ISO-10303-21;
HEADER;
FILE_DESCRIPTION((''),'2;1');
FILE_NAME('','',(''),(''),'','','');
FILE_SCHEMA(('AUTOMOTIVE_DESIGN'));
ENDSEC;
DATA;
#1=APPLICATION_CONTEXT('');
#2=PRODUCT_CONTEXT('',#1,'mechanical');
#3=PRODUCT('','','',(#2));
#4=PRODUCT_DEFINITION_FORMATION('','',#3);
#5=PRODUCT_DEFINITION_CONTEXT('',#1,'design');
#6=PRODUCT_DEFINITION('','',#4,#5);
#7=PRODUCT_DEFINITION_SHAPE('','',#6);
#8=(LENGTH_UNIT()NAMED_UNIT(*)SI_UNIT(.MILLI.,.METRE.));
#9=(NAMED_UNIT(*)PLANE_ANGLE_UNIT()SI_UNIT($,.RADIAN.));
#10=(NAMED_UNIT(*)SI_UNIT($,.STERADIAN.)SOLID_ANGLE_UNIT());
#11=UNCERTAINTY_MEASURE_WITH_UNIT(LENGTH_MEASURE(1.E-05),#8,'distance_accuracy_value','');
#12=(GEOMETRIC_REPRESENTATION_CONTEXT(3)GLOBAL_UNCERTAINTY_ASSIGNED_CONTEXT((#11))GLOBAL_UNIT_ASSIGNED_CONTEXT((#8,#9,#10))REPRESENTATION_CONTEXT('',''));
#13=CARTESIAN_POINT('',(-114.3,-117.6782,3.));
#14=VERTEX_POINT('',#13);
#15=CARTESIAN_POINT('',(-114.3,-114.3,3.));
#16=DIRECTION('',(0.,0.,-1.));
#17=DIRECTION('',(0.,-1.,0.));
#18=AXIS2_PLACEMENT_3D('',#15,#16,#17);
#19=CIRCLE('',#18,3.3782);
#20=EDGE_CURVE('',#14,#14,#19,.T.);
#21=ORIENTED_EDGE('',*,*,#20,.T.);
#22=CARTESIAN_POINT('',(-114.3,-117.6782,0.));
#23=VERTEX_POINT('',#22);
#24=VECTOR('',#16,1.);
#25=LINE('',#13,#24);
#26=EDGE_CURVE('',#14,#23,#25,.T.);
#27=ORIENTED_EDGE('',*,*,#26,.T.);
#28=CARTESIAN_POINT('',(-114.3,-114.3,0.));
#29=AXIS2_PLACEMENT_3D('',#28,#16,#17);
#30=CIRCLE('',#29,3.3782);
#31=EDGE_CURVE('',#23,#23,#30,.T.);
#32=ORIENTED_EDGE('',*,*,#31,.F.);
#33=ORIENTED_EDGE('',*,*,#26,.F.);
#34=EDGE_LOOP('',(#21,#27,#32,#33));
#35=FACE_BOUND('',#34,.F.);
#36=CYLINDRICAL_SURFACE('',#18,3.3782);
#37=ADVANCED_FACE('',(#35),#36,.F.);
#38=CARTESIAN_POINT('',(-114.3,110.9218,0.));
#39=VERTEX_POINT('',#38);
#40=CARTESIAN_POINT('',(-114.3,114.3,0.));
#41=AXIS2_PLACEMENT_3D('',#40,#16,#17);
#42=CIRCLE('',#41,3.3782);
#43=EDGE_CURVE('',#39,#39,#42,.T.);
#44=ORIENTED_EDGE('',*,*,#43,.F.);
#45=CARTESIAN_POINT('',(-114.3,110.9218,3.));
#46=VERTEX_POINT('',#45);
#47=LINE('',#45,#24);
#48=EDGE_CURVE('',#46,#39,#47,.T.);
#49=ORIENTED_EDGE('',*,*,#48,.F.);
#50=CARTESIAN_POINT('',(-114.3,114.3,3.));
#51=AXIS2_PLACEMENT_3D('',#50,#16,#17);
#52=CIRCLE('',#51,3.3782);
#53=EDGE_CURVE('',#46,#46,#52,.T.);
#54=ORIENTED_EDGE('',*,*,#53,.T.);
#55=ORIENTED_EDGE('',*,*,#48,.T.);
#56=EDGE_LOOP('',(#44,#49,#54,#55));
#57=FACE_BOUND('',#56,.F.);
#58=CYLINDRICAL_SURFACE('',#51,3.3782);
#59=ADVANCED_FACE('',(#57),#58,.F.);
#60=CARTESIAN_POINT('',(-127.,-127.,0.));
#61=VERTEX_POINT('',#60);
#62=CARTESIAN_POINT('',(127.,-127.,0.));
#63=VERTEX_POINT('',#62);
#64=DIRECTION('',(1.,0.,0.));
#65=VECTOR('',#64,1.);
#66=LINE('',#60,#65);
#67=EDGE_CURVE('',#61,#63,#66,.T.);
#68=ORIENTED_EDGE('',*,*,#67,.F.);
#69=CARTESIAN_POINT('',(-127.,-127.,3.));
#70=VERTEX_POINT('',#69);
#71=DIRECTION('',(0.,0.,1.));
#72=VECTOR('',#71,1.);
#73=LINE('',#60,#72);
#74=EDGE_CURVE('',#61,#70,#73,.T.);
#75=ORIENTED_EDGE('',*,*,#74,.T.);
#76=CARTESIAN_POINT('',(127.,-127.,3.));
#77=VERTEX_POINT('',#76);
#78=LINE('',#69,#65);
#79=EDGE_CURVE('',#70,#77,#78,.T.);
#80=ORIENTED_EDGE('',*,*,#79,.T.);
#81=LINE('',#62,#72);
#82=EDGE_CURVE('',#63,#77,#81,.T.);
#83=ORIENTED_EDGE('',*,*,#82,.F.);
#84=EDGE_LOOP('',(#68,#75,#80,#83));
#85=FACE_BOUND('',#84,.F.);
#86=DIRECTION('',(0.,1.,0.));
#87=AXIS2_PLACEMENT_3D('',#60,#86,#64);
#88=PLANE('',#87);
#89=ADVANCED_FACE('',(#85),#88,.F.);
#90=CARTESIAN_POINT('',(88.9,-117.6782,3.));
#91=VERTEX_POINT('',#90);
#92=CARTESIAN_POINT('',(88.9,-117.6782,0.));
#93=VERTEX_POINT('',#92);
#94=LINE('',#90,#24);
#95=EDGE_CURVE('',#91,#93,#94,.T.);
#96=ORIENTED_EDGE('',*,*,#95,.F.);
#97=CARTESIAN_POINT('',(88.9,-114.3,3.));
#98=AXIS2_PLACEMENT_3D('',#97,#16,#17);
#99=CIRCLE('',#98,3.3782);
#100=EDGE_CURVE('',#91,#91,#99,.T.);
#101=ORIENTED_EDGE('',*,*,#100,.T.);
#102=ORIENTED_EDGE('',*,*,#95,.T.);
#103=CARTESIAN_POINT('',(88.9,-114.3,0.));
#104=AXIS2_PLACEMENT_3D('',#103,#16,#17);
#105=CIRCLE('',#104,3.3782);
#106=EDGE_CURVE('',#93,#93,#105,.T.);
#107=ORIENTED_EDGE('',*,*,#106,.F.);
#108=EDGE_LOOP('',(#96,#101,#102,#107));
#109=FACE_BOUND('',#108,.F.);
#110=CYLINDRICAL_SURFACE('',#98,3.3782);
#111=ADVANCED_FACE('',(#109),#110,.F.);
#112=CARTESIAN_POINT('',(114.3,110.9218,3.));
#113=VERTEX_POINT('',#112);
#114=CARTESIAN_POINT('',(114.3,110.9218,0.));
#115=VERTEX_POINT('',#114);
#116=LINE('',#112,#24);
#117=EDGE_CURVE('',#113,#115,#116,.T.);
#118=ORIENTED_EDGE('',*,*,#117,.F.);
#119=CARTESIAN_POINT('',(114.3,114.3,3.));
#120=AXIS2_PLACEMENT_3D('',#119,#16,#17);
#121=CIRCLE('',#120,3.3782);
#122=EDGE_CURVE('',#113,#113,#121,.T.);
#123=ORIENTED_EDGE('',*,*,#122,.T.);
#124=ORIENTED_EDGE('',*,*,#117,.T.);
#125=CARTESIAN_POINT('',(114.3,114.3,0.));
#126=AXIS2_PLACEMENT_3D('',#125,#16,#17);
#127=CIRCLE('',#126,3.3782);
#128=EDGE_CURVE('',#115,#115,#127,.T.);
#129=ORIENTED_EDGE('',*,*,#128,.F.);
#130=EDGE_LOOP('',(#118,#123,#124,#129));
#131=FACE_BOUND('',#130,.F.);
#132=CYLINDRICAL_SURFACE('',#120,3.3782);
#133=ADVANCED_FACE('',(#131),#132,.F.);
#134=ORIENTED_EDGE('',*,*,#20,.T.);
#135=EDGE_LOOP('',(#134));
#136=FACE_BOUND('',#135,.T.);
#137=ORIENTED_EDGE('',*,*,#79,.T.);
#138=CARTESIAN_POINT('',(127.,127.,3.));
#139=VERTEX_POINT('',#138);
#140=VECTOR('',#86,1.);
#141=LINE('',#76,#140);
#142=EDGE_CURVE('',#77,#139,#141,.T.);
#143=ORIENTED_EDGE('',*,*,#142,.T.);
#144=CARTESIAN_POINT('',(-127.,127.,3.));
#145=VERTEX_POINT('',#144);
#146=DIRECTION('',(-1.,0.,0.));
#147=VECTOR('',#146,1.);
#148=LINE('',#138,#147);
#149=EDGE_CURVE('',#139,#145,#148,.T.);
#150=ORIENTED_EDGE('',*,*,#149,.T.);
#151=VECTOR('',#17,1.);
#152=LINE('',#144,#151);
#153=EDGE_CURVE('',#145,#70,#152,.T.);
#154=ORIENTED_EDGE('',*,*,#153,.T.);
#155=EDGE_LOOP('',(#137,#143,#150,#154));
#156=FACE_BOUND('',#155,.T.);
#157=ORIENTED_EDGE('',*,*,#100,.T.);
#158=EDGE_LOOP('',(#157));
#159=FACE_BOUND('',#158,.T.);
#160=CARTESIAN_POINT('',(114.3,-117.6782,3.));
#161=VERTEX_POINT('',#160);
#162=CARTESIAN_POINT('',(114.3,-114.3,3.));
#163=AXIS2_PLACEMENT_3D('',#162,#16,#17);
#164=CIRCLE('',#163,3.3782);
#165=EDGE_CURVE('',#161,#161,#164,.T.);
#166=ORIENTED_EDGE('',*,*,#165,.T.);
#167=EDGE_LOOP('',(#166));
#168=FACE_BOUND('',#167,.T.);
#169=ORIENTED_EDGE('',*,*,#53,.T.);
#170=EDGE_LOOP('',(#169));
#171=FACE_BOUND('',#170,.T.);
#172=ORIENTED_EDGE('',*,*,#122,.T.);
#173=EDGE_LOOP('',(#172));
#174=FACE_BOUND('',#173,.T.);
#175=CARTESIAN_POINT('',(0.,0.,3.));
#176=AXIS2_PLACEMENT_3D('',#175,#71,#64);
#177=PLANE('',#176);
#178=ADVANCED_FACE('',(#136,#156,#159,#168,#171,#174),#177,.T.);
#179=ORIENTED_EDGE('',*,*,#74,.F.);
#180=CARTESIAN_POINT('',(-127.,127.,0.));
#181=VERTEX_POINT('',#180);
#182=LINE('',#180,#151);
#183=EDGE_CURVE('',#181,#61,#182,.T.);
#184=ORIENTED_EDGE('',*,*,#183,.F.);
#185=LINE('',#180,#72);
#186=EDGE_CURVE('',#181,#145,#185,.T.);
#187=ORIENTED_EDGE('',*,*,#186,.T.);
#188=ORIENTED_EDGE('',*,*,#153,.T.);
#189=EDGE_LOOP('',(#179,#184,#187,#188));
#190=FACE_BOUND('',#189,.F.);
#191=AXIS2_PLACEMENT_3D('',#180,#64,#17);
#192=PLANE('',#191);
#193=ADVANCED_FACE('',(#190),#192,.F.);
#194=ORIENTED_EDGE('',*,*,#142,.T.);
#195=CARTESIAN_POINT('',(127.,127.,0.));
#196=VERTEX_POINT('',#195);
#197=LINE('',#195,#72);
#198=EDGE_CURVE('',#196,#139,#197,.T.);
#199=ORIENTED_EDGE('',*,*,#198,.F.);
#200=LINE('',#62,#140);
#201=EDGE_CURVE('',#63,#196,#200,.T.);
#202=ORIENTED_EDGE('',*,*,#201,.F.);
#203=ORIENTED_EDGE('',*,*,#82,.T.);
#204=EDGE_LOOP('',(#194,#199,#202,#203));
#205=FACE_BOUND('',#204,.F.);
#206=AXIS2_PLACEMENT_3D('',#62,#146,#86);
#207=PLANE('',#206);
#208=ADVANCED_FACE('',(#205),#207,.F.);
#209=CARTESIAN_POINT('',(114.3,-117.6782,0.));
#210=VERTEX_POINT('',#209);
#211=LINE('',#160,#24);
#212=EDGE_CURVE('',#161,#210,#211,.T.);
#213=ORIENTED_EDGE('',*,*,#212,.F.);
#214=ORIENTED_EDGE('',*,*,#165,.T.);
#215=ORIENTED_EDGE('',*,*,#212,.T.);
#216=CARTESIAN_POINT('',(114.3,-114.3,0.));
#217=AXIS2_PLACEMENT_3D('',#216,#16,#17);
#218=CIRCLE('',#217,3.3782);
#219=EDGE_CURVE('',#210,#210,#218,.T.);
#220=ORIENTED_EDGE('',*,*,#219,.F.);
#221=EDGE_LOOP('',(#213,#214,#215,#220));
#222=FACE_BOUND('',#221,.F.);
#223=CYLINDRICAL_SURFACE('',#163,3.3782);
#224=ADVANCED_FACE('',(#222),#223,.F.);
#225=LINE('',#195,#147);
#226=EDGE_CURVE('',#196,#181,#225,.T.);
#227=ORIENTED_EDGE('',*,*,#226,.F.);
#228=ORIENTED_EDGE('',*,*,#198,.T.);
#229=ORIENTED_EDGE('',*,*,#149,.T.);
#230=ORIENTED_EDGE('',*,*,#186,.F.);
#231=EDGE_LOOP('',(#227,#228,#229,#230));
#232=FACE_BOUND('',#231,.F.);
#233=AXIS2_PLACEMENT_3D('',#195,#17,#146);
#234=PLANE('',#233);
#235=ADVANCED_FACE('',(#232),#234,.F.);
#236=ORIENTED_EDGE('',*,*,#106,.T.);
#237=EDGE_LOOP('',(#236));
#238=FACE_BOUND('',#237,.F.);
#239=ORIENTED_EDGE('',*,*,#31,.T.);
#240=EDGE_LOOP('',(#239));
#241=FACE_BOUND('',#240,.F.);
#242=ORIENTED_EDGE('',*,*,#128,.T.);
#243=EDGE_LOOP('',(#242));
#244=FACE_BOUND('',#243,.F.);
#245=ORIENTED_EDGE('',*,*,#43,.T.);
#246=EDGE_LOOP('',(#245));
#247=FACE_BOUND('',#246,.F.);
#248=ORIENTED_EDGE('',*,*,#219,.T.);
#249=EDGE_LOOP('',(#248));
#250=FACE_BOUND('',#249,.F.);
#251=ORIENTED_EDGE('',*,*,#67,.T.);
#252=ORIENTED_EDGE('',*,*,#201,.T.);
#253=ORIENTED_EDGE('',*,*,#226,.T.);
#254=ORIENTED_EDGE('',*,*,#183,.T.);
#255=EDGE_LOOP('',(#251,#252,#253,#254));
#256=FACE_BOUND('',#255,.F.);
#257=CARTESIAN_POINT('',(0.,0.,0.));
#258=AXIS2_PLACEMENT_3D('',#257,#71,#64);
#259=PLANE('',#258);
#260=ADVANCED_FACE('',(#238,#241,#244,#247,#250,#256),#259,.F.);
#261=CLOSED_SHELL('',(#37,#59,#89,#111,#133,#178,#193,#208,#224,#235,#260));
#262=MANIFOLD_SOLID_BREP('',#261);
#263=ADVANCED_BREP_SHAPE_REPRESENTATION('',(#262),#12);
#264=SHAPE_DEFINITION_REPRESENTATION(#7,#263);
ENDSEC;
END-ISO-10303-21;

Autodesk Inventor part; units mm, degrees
ref_plane "YZ Plane" through (0, 0, 0) normal (1, 0, 0) x (0, 1, 0)
ref_plane "XZ Plane" through (0, 0, 0) normal (0, 1, 0) x (-1, 0, 0)
ref_plane "XY Plane" through (0, 0, 0) normal (0, 0, 1) x (1, 0, 0)
sketch "Sketch1" plane through (0, 0, 0) normal (0, 0, 1) x (1, 0, 0)
  line L0 (-127, -127) -> (127, -127)
  line L1 (127, -127) -> (127, 127)
  line L2 (127, 127) -> (-127, 127)
  line L3 (-127, 127) -> (-127, -127)
  line L4 (-127, -127) -> (127, 127) construction
  point P0 (0, 0)
  point P1 (0, 0)
  dimension "d0" = 254
  dimension "d1" = 254
extrude "Extrusion1" add sketch "Sketch1" along normal blind 3
sketch "Sketch2" plane through (0, 0, 3) normal (0, 0, 1) x (1, 0, 0)
  line L0 (-114.3, -114.3) -> (114.3, -114.3) construction
  line L1 (114.3, -114.3) -> (114.3, 114.3) construction
  line L2 (114.3, 114.3) -> (-114.3, 114.3) construction
  line L3 (-114.3, 114.3) -> (-114.3, -114.3) construction
  line L4 (-114.3, -114.3) -> (114.3, 114.3) construction
  point P0 (0, 0)
  point P1 (0, 0)
  point P2 (88.9, -114.3)
  dimension "d4" = 228.6
  dimension "d5" = 228.6
hole "Hole1" at (-114.3, 114.3, 3) at (114.3, 114.3, 3) at (114.3, -114.3, 3) at (-114.3, -114.3, 3) direction (0, 0, -1) diameter 6.7564 end through all
sketch "Sketch3" plane through (0, 0, 3) normal (0, 0, 1) x (1, 0, 0)
  point P0 (0, 0)
  point P1 (88.9, -114.3)
hole "Hole2" at (88.9, -114.3, 3) direction (0, 0, -1) diameter 6.7564 depth 25.4 tip angle 118
